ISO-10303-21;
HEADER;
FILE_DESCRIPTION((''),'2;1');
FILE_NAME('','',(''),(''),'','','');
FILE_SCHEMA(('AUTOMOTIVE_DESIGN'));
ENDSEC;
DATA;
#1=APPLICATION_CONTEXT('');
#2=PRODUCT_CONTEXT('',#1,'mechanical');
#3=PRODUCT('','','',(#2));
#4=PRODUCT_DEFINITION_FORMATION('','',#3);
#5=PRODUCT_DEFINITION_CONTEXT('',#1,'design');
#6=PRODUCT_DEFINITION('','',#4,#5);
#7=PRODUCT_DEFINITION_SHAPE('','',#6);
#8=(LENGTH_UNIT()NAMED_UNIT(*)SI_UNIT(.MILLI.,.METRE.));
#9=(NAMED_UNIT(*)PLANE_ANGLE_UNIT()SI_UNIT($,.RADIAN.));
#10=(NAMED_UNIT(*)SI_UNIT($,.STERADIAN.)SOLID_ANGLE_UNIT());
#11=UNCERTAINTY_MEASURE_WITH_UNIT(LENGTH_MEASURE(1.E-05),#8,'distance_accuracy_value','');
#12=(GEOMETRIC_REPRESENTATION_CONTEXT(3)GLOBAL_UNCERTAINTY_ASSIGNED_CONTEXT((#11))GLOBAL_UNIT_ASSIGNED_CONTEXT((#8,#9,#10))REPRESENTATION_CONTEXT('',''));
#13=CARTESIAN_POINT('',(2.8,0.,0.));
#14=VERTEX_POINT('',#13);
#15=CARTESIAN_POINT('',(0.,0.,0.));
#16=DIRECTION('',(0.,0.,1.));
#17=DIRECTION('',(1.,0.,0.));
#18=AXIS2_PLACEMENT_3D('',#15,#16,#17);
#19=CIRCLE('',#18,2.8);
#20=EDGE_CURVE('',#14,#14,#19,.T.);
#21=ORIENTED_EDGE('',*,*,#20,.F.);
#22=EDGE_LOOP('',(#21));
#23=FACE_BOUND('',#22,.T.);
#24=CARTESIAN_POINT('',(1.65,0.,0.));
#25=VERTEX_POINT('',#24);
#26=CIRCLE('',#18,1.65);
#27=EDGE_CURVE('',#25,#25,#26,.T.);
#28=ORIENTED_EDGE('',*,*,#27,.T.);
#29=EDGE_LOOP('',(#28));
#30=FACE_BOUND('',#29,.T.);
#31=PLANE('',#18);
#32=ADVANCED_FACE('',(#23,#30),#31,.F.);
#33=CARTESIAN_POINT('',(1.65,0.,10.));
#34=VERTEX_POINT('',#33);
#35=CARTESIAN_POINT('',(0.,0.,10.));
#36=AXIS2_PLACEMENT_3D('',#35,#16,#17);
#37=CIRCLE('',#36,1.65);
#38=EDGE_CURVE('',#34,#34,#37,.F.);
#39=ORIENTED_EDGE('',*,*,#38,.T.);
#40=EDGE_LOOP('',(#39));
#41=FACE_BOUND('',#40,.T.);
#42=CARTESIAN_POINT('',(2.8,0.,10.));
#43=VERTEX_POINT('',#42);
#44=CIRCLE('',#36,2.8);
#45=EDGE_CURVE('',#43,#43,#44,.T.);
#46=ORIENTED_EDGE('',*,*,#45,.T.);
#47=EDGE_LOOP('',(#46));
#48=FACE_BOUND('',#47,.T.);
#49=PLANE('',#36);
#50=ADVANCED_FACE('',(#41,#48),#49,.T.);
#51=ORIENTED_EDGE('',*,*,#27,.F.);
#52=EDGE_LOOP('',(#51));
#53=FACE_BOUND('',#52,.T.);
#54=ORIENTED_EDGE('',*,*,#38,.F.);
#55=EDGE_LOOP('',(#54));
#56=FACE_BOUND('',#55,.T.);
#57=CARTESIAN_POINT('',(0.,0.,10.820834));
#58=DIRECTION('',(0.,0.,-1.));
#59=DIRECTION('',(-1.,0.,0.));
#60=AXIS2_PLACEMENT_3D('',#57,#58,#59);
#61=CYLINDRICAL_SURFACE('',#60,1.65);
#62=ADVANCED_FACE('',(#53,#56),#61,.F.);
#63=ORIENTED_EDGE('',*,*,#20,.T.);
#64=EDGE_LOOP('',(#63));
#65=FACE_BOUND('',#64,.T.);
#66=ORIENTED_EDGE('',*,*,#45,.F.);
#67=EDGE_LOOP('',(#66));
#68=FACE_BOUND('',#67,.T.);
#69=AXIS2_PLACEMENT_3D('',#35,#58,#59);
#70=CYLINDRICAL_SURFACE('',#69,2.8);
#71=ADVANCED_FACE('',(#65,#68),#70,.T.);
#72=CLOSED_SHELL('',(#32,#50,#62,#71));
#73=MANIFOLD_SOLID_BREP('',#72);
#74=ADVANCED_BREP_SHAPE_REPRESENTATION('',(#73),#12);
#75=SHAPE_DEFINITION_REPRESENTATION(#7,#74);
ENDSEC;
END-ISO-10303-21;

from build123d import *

# Parameters (mm, degrees)
SKETCH1_R           = 2.8
BOSS_EXTRUDE1_DEPTH = 10
SKETCH2_R           = 1.65
CUT_EXTRUDE1_DEPTH  = 10.820833683


with BuildPart() as part:
    # Sketch1 → Boss-Extrude1 (new body)
    with BuildSketch(Plane.XY):
        Circle(SKETCH1_R)
    extrude(amount=BOSS_EXTRUDE1_DEPTH)

    # Sketch2 → Cut-Extrude1 (cut)
    with BuildSketch(Plane.XY):
        Circle(SKETCH2_R)
    extrude(amount=CUT_EXTRUDE1_DEPTH, mode=Mode.SUBTRACT)


solid = part.part
